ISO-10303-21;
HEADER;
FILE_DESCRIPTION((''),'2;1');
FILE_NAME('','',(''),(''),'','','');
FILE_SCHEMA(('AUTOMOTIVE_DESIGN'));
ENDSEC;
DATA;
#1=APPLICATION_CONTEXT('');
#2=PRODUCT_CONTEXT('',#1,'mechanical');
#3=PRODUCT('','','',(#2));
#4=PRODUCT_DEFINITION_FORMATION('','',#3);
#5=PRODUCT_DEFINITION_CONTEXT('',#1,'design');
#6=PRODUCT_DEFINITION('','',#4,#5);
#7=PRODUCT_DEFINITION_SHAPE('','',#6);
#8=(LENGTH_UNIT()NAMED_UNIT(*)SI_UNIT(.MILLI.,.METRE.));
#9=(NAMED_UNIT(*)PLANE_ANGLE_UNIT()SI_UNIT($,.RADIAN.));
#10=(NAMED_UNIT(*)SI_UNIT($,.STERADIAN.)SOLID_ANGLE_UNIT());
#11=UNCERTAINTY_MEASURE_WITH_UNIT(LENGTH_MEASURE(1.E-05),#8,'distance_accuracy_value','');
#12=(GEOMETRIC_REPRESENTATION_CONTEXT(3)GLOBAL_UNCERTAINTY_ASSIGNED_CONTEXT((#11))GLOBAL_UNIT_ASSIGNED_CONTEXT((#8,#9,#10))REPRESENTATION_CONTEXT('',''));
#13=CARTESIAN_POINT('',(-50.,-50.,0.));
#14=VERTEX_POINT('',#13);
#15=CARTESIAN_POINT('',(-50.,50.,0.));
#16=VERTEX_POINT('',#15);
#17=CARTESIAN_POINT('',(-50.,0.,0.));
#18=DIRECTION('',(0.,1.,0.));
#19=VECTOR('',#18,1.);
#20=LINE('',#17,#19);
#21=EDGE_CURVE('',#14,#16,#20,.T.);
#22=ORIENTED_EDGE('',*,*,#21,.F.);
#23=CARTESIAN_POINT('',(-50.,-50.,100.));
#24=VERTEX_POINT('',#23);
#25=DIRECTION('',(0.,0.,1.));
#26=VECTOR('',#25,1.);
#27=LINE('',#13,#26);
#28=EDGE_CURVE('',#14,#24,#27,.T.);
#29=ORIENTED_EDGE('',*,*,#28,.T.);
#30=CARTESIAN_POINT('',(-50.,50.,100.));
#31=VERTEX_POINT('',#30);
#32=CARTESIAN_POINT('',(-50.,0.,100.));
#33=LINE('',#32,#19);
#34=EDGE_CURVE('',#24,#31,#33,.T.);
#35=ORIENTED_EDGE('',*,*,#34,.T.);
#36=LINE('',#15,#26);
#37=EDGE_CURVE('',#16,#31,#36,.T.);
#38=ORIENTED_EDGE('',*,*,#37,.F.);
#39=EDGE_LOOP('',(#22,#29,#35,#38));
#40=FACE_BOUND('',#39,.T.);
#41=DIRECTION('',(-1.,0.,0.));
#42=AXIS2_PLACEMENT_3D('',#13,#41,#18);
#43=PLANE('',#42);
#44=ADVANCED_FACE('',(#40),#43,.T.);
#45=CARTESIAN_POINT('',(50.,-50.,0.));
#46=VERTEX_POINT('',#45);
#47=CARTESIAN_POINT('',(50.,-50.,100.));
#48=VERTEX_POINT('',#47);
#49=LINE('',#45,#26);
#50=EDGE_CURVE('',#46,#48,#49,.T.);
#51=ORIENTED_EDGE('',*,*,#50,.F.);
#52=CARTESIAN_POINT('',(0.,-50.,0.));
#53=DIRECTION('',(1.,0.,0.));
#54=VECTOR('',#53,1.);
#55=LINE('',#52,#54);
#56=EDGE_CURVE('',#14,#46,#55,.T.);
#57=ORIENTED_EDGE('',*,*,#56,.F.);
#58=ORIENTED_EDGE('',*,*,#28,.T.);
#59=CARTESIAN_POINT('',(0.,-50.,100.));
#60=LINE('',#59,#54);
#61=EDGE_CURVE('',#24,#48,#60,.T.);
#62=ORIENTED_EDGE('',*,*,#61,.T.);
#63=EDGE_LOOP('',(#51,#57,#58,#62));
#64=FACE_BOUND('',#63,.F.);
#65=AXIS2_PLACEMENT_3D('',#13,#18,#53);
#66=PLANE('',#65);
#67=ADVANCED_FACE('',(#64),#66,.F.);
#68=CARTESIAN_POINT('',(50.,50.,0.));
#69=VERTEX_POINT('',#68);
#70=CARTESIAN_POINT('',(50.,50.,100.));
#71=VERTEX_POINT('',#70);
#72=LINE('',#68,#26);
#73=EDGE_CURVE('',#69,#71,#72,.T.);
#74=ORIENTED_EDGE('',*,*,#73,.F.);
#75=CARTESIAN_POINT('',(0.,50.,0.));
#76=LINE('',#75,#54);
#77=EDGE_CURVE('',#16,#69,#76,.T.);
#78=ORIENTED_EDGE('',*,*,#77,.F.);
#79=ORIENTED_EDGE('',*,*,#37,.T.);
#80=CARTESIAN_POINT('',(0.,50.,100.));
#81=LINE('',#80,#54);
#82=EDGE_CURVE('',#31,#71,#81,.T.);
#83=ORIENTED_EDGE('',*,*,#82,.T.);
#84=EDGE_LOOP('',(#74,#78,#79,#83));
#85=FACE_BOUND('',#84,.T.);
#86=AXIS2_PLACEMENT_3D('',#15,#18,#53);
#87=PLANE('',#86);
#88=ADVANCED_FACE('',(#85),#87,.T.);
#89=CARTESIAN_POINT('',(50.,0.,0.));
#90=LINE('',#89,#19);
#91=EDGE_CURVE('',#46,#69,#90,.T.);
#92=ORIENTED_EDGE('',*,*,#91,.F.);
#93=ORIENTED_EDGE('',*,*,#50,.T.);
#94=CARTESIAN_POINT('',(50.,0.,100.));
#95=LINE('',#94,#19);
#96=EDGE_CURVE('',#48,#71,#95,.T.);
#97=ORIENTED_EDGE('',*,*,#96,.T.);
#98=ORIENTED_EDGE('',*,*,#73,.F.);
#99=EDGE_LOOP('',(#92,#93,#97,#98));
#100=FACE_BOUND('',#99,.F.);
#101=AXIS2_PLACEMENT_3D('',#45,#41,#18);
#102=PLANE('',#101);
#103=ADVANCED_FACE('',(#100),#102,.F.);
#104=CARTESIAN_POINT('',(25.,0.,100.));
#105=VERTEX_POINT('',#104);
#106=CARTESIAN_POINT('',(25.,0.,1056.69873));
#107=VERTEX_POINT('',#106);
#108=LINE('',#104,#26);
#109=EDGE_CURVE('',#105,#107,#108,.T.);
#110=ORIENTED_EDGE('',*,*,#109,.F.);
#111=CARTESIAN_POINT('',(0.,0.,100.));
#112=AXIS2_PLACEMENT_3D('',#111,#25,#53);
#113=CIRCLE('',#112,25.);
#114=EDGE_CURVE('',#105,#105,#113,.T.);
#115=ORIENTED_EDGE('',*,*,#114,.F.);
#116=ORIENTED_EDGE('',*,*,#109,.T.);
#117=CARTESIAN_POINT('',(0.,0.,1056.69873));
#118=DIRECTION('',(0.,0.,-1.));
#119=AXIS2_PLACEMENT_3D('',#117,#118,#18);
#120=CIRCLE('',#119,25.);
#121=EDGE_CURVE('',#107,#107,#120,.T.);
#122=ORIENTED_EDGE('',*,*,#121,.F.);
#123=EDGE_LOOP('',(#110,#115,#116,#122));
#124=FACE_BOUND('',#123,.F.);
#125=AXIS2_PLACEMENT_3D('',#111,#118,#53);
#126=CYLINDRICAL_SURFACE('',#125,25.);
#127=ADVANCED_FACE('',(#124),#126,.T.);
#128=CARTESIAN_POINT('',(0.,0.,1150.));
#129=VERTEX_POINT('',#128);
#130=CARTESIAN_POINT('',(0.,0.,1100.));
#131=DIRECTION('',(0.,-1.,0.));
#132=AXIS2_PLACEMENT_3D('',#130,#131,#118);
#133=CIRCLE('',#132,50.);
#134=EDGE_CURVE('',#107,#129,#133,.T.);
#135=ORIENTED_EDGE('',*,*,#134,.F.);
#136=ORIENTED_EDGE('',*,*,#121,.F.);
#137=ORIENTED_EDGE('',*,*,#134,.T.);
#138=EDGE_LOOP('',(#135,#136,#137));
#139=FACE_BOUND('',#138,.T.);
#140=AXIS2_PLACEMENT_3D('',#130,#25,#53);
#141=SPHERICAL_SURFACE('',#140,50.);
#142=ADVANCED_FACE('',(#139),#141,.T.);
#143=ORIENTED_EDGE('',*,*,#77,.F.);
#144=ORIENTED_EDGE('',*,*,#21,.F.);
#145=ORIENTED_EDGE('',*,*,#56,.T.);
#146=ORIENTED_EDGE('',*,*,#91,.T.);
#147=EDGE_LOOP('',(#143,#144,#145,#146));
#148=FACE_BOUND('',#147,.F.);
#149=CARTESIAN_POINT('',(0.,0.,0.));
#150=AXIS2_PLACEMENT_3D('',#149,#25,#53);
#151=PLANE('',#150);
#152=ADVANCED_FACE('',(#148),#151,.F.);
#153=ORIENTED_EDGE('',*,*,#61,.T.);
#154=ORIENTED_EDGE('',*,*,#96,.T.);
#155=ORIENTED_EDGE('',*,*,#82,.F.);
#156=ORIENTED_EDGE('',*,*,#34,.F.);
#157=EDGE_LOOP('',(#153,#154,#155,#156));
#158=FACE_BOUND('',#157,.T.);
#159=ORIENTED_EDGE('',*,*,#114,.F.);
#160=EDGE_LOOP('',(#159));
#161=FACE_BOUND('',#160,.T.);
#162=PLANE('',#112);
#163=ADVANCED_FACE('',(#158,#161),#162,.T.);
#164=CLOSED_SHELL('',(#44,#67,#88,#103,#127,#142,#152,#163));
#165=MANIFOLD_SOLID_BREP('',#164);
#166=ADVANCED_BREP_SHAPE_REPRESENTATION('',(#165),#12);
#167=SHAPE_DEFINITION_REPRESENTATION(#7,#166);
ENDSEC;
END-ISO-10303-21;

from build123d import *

# Parameters (mm, degrees)
CYLINDER_R     = 25
CYLINDER_DEPTH = 1000
CUBE_W         = 100
CUBE_H         = 100
CUBE_DEPTH     = 100


with BuildPart() as cylinder:
    # cylinder → cylinder (new body)
    with BuildSketch(Plane.XY.offset(100)):
        Circle(CYLINDER_R)
    extrude(amount=CYLINDER_DEPTH)


with BuildPart() as sphere:
    # sphere → sphere (revolve)
    with BuildSketch(Plane(origin=(0, 0, 1100), x_dir=(1, 0, 0), z_dir=(0, -1, 0))):
        with BuildLine():
            ThreePointArc((0, -50), (50, 0), (0, 50))
            Line((0, 50), (0, -50))
        make_face()
    revolve(axis=Axis((0, 0, 1100), (0, 0, 1)))


with BuildPart() as union:
    # cube → cube (new body)
    with BuildSketch(Plane(origin=(-50, -50, 0), x_dir=(1, 0, 0), z_dir=(0, 0, 1))):
        with Locations((50, 50)):
            Rectangle(CUBE_W, CUBE_H)
    extrude(amount=CUBE_DEPTH)

    # union: union cylinder, sphere
    add(cylinder.part)
    add(sphere.part)


solid = union.part
